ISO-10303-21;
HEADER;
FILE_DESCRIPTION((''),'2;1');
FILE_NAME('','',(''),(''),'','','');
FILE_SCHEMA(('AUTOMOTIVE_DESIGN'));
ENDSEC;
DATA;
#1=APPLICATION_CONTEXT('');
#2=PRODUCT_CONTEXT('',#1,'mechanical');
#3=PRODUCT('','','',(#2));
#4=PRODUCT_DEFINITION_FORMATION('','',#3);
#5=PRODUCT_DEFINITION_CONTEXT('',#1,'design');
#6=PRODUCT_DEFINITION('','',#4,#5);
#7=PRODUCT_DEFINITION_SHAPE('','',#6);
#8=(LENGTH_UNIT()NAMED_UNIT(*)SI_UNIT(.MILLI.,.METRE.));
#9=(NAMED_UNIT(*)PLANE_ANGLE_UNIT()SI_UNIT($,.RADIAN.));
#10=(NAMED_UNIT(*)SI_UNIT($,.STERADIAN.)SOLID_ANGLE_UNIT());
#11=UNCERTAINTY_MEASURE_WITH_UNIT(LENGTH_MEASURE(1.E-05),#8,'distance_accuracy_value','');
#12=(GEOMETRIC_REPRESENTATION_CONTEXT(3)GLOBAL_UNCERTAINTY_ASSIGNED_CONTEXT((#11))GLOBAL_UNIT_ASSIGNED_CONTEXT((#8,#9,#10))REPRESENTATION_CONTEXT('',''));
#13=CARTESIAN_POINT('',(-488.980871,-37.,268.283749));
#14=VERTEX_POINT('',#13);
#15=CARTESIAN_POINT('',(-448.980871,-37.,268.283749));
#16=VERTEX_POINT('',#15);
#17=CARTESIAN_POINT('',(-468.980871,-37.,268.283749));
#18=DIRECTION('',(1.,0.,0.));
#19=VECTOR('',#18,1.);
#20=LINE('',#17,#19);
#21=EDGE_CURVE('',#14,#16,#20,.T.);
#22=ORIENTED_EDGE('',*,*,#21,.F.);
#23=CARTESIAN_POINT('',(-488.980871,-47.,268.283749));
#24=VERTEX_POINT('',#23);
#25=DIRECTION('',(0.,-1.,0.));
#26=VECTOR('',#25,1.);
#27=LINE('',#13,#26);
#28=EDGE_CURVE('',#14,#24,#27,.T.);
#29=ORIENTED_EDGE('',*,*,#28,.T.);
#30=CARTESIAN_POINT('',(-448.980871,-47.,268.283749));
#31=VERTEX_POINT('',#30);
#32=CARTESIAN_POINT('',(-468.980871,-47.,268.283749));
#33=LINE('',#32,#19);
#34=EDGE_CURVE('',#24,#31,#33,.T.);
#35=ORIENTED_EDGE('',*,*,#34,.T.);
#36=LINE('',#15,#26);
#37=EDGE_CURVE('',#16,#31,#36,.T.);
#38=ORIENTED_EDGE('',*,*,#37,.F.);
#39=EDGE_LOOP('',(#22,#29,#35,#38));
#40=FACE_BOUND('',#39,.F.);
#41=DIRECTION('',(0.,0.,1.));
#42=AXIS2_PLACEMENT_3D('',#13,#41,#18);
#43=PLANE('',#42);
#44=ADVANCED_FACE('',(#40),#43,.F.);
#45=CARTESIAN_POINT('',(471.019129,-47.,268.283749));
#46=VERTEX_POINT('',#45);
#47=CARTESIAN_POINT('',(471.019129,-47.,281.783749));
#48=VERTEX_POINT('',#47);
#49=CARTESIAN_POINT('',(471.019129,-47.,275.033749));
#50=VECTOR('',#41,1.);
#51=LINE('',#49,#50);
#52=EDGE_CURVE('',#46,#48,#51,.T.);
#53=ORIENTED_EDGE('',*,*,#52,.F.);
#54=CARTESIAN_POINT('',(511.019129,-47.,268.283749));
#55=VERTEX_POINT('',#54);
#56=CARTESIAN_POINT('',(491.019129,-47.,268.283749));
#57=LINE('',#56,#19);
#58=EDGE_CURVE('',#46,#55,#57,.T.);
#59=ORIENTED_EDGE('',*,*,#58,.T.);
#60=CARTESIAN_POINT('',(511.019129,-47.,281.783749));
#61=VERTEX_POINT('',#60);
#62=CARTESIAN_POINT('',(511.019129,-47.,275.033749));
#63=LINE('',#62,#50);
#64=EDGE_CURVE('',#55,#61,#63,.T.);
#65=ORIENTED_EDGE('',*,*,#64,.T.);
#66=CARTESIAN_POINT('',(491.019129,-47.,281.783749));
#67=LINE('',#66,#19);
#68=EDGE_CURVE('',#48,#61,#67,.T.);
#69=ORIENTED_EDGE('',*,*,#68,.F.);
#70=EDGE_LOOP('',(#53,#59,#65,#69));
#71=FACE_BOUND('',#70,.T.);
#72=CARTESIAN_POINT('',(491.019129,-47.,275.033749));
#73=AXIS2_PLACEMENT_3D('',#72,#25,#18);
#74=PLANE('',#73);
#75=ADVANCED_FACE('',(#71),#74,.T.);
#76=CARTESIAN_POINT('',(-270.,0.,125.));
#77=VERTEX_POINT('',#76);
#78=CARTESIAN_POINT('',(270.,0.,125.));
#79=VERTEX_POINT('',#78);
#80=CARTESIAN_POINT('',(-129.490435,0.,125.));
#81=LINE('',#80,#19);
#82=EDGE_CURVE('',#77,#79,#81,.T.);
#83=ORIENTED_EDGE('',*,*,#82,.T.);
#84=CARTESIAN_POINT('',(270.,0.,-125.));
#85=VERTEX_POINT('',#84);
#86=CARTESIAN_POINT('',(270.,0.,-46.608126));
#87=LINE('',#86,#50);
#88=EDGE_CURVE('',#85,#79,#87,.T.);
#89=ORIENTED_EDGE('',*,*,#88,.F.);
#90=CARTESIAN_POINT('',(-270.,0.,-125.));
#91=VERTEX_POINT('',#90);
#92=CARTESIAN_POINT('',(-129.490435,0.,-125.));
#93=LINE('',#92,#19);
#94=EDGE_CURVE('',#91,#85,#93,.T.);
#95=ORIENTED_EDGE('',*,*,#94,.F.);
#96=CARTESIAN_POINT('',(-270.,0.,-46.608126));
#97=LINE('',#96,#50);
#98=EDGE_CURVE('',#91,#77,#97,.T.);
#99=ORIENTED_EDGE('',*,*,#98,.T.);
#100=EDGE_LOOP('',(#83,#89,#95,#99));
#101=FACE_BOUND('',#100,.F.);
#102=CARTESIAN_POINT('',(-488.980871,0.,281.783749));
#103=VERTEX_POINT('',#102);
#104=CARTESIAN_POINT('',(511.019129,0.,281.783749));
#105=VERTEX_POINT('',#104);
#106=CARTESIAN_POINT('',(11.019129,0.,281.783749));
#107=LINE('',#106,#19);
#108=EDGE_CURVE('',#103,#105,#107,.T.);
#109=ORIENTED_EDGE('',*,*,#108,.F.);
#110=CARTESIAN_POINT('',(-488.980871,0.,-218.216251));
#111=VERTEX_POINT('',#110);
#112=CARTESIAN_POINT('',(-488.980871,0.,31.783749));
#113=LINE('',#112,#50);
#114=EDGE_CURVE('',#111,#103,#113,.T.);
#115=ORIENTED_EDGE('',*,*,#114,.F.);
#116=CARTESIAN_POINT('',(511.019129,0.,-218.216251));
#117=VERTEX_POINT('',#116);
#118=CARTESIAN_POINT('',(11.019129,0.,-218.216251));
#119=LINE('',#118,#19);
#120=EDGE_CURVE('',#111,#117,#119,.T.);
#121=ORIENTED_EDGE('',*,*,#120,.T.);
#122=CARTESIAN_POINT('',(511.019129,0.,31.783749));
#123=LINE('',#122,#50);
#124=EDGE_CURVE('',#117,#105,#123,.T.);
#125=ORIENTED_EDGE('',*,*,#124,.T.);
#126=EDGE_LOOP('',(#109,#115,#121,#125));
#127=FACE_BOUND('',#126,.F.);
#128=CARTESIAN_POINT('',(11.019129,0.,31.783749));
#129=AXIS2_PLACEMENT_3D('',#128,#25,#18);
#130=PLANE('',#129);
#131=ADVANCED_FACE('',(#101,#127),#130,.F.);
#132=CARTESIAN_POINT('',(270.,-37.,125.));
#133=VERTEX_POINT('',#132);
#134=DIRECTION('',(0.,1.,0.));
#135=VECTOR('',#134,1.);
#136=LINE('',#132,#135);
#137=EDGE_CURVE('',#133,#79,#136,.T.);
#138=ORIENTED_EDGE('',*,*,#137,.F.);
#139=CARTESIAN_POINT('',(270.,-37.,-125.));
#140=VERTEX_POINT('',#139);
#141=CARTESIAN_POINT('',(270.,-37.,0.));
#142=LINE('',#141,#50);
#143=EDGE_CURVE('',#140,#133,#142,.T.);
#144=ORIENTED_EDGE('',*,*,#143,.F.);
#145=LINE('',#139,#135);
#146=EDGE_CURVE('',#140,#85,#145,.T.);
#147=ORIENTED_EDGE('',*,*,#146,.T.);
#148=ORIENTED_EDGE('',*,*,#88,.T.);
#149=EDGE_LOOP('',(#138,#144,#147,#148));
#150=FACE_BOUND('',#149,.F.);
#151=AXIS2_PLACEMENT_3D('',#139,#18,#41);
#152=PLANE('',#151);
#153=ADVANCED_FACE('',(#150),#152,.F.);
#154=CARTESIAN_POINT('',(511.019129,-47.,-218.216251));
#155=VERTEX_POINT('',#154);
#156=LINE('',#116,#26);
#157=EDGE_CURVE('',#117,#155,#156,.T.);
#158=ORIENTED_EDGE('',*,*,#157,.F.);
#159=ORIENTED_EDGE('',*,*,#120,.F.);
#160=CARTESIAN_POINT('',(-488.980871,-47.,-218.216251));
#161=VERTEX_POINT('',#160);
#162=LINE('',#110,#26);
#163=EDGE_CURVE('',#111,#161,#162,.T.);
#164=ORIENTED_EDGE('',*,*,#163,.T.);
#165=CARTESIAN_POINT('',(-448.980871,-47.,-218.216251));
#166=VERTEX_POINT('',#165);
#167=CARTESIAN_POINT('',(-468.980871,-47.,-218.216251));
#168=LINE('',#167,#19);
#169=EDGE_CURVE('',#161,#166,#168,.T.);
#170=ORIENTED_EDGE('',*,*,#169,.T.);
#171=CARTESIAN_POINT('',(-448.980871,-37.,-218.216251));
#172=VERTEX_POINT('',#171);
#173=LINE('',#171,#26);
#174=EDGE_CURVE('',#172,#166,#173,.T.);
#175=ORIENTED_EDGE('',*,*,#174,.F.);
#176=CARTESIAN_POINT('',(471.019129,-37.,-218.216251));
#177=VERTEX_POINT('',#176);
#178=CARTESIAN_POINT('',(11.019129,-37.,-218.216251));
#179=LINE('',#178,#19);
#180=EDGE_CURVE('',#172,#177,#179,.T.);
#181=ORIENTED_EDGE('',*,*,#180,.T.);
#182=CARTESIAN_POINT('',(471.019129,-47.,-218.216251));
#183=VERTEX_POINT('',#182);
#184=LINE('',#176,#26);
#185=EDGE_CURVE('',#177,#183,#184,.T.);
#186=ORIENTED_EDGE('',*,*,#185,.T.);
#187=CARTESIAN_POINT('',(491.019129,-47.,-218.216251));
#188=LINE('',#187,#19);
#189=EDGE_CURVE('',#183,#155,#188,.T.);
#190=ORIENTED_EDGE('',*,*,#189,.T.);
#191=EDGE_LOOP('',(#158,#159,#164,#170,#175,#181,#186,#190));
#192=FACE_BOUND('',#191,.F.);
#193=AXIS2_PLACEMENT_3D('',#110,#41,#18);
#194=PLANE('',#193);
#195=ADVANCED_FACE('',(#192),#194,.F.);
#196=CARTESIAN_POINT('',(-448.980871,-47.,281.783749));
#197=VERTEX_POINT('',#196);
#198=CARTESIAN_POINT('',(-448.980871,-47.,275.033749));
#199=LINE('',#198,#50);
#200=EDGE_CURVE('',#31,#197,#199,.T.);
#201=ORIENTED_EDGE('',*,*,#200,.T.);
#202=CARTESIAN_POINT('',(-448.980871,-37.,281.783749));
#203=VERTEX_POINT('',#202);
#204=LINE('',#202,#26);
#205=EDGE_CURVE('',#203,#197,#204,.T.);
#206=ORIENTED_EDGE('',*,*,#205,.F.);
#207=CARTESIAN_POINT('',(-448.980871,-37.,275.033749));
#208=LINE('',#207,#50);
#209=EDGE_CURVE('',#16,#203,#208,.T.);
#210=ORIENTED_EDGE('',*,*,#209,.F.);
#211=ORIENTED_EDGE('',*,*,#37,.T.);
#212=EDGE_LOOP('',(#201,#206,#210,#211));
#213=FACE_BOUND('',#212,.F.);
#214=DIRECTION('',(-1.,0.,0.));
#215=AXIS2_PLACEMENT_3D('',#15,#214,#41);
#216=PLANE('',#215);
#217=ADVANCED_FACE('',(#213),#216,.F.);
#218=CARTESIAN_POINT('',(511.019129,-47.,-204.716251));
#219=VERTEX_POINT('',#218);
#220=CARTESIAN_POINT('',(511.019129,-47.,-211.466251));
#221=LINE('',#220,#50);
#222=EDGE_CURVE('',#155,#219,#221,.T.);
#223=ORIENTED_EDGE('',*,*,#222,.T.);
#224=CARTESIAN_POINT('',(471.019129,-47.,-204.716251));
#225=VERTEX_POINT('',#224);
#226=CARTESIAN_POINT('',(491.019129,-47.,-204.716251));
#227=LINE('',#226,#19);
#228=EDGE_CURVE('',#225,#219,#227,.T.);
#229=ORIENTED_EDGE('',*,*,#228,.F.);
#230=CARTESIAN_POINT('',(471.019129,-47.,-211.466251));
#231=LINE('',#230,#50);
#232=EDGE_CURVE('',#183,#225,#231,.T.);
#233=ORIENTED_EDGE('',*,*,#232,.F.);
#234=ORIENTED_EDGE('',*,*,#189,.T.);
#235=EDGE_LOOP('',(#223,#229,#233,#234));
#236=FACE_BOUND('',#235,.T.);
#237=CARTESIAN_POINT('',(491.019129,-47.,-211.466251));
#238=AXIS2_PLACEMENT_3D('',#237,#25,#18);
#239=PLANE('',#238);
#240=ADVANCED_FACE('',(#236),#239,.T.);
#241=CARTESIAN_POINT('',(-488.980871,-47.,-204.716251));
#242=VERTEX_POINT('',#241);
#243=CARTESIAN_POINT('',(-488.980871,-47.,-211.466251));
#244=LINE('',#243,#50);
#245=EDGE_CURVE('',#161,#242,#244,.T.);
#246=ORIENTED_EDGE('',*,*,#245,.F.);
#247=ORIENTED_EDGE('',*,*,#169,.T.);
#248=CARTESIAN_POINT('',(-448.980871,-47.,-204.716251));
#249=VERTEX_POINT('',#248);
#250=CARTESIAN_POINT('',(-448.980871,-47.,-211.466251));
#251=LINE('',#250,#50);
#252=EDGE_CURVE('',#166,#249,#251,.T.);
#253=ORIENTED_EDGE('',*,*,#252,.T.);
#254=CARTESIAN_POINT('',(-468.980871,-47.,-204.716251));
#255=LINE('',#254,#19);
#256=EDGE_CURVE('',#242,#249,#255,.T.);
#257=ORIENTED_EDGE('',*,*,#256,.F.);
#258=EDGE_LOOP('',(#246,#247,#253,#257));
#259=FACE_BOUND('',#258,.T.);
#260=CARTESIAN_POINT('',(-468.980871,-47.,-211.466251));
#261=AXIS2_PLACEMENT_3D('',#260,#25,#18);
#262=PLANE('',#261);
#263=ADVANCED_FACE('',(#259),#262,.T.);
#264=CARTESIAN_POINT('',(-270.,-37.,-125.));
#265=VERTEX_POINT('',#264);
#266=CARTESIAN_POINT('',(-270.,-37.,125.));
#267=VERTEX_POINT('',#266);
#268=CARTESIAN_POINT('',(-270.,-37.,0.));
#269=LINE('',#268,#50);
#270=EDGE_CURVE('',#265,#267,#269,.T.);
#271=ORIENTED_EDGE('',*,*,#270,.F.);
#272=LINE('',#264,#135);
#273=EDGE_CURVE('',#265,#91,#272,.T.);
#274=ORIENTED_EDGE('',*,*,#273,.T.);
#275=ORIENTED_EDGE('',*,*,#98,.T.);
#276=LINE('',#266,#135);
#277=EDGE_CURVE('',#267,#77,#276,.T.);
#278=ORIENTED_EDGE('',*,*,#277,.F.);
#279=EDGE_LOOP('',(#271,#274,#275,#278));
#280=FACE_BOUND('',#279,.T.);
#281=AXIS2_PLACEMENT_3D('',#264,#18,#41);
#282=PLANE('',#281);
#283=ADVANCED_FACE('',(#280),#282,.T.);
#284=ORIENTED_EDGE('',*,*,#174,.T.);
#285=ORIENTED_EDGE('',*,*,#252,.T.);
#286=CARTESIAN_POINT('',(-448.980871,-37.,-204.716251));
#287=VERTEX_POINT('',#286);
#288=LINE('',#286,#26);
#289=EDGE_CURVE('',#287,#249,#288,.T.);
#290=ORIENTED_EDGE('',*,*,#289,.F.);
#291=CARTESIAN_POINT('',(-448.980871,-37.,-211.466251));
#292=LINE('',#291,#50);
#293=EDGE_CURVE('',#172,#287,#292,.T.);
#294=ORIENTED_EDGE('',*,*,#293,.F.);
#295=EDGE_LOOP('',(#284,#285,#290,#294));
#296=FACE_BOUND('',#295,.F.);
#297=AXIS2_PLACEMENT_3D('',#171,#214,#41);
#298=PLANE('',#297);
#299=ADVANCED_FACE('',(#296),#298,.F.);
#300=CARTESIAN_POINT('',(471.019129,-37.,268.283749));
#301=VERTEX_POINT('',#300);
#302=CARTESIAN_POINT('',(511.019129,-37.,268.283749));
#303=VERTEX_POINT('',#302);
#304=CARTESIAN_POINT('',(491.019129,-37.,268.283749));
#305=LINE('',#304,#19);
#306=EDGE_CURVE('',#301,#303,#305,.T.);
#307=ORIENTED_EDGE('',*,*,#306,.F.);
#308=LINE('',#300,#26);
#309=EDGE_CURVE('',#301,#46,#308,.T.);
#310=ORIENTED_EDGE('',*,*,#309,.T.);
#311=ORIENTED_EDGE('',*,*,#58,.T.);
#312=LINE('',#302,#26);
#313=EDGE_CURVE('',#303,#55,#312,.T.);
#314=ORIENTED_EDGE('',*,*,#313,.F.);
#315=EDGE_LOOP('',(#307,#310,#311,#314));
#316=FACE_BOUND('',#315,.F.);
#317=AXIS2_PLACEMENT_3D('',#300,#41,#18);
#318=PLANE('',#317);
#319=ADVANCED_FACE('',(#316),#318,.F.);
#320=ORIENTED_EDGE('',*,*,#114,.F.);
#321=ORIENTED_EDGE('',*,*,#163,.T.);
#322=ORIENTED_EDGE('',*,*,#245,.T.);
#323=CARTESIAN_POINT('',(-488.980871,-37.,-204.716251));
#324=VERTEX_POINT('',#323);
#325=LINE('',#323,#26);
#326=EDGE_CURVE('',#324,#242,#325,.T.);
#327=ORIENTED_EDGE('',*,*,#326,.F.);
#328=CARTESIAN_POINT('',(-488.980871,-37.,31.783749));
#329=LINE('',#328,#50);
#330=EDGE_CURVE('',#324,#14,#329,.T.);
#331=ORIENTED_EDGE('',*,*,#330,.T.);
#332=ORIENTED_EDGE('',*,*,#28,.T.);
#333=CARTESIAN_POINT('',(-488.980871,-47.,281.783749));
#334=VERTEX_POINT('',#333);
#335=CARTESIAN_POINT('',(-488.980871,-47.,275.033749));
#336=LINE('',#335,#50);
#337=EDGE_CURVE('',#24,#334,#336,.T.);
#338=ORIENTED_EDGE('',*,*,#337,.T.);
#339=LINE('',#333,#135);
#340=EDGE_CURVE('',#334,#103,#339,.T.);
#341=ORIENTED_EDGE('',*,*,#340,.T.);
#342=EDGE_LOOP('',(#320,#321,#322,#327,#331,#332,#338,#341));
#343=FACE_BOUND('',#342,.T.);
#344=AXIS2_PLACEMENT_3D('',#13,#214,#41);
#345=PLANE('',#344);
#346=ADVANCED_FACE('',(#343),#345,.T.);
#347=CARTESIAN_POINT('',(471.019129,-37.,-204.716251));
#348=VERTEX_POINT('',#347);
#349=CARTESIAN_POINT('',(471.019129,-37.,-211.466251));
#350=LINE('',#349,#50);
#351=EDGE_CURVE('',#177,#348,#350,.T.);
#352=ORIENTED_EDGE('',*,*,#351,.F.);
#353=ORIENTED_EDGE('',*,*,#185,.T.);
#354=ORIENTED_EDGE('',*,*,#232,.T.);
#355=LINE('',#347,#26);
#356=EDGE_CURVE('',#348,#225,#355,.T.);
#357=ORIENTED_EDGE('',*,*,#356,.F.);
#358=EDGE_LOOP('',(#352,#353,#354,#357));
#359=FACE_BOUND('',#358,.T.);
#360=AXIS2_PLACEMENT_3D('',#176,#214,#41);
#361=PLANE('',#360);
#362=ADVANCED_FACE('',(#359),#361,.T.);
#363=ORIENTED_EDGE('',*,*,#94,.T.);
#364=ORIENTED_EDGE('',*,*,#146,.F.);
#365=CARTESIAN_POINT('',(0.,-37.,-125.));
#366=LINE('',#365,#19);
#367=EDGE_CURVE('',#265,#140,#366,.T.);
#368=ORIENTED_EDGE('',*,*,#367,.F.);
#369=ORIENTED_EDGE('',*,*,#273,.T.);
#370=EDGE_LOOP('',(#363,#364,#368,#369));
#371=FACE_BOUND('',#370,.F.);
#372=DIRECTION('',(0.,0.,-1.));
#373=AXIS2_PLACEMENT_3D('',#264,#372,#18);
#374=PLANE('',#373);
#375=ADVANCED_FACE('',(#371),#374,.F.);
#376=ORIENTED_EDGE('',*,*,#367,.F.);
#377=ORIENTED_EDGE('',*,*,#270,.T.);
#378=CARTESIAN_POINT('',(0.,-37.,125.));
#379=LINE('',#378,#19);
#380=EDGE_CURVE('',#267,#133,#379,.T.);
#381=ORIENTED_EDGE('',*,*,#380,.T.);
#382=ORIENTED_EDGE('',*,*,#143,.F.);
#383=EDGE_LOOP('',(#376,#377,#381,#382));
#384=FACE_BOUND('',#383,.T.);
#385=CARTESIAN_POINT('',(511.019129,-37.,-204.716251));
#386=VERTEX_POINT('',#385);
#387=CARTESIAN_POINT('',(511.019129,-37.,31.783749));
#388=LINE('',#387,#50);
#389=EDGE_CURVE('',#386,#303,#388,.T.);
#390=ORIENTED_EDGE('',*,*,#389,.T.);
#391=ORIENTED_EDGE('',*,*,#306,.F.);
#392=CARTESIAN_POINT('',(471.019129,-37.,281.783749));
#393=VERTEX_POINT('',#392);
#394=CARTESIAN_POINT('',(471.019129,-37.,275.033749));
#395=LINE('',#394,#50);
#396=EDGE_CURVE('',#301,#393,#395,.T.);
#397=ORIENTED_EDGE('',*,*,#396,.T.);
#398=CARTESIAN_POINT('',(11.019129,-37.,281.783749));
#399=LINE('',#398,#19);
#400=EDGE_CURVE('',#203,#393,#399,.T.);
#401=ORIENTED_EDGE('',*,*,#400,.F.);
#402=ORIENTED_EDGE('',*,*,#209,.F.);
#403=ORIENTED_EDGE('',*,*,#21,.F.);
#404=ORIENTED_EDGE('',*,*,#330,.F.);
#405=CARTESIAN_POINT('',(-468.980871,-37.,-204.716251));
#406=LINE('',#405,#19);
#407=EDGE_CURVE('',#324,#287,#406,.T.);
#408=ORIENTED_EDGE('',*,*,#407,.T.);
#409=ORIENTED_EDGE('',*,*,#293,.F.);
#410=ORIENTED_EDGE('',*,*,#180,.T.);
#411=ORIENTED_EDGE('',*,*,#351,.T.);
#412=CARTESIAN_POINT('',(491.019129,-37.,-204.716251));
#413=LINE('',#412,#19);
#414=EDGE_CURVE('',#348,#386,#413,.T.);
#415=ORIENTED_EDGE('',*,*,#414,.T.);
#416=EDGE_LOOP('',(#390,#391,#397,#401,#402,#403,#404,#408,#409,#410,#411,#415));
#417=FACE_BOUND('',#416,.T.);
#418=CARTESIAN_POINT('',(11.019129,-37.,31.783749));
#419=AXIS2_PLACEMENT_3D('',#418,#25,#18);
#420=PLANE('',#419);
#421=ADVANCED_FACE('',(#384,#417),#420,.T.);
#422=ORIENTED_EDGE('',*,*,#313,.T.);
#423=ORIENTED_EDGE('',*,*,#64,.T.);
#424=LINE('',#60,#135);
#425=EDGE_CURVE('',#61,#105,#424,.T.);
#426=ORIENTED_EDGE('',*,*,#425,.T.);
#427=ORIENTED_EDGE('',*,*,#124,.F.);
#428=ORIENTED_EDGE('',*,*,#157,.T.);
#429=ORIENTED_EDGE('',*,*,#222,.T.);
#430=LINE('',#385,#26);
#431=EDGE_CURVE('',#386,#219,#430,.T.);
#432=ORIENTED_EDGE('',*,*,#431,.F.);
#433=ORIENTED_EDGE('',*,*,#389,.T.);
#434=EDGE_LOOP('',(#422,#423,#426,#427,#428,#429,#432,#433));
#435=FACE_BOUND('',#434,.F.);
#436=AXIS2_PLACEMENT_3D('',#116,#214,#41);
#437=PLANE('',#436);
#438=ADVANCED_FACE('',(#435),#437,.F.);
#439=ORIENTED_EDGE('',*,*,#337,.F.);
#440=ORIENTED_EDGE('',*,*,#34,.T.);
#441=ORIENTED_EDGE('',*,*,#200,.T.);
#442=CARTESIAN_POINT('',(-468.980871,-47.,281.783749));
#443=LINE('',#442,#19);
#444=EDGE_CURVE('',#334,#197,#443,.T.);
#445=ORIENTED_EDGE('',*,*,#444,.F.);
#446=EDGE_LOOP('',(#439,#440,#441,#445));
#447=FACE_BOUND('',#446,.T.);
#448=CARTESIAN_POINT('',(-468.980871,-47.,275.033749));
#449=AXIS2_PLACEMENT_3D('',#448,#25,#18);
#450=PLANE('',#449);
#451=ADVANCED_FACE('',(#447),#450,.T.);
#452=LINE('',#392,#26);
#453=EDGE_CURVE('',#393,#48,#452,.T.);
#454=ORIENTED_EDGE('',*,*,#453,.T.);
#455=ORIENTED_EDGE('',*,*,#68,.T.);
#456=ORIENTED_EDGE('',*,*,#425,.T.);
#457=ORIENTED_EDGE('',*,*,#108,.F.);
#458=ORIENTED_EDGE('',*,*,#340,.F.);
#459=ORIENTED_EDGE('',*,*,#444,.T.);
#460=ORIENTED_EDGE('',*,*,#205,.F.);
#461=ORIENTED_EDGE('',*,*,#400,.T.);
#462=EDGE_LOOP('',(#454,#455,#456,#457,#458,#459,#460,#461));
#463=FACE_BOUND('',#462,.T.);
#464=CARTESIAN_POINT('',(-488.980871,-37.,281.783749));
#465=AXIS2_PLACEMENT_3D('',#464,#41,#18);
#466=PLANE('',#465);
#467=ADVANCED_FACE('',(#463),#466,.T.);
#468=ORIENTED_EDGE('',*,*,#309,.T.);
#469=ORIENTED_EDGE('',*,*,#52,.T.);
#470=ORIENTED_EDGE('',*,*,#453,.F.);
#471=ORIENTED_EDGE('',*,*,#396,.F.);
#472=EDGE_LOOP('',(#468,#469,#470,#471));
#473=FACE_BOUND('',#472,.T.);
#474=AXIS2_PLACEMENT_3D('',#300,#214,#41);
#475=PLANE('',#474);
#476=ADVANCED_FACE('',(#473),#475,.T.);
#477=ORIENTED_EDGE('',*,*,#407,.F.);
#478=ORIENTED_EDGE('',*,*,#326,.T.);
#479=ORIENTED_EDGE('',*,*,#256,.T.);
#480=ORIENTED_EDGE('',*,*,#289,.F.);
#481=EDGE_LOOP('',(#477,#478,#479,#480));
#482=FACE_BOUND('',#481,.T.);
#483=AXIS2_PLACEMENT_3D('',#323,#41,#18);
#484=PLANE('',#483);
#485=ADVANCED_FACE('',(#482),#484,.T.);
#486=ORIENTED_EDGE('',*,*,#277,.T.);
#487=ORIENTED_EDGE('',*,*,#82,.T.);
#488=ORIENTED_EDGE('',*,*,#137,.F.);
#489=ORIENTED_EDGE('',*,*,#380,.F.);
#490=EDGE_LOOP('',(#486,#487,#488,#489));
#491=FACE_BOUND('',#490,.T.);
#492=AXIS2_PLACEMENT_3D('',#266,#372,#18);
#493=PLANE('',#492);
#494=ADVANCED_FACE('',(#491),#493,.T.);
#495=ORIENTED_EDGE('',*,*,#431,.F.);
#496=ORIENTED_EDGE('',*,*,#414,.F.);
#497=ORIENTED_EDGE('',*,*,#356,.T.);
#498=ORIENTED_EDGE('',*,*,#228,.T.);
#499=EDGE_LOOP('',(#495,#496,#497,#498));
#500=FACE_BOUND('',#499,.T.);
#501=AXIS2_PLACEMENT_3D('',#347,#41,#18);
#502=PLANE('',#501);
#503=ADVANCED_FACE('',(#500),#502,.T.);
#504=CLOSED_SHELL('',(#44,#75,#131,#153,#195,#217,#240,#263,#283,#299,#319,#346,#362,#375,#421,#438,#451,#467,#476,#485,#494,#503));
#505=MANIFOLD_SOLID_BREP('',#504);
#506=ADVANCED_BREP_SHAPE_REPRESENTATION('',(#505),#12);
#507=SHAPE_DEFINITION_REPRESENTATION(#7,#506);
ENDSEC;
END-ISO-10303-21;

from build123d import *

# Parameters (mm, degrees)
F0_W     = 200
F0_H     = 100
F1_DEPTH = 7.4
F2_W     = 8
F2_H     = 2.7
F3_DEPTH = 2
F4_W     = 108
F4_H     = 50
F5_DEPTH = 7.401
F6_SCALE = 5


with BuildPart() as f1:
    # F0 (on Front) → F1 (new body)
    with BuildSketch(Plane.XZ):
        with Locations((2.2038258612, 6.3567497451)):
            Rectangle(F0_W, F0_H)
    extrude(amount=F1_DEPTH)

    # F2 (on face) → F3 (join)
    with BuildSketch(Plane.XZ.offset(7.4)):
        with Locations((-93.7961741388, 55.0067497451)):
            Rectangle(F2_W, F2_H)
        with Locations((98.2038258612, 55.0067497451)):
            Rectangle(F2_W, F2_H)
        with Locations((98.2038258612, -42.2932502549)):
            Rectangle(F2_W, F2_H)
        with Locations((-93.7961741388, -42.2932502549)):
            Rectangle(F2_W, F2_H)
    extrude(amount=F3_DEPTH)

    # F4 (on face) → F5 (cut, through all)
    with BuildSketch(Plane.XZ.offset(7.4)):
        Rectangle(F4_W, F4_H)
    extrude(amount=-F5_DEPTH, mode=Mode.SUBTRACT)


with BuildPart() as f1_1:
    # F6: moved
    add(f1.part.scale(F6_SCALE))


solid = f1_1.part
